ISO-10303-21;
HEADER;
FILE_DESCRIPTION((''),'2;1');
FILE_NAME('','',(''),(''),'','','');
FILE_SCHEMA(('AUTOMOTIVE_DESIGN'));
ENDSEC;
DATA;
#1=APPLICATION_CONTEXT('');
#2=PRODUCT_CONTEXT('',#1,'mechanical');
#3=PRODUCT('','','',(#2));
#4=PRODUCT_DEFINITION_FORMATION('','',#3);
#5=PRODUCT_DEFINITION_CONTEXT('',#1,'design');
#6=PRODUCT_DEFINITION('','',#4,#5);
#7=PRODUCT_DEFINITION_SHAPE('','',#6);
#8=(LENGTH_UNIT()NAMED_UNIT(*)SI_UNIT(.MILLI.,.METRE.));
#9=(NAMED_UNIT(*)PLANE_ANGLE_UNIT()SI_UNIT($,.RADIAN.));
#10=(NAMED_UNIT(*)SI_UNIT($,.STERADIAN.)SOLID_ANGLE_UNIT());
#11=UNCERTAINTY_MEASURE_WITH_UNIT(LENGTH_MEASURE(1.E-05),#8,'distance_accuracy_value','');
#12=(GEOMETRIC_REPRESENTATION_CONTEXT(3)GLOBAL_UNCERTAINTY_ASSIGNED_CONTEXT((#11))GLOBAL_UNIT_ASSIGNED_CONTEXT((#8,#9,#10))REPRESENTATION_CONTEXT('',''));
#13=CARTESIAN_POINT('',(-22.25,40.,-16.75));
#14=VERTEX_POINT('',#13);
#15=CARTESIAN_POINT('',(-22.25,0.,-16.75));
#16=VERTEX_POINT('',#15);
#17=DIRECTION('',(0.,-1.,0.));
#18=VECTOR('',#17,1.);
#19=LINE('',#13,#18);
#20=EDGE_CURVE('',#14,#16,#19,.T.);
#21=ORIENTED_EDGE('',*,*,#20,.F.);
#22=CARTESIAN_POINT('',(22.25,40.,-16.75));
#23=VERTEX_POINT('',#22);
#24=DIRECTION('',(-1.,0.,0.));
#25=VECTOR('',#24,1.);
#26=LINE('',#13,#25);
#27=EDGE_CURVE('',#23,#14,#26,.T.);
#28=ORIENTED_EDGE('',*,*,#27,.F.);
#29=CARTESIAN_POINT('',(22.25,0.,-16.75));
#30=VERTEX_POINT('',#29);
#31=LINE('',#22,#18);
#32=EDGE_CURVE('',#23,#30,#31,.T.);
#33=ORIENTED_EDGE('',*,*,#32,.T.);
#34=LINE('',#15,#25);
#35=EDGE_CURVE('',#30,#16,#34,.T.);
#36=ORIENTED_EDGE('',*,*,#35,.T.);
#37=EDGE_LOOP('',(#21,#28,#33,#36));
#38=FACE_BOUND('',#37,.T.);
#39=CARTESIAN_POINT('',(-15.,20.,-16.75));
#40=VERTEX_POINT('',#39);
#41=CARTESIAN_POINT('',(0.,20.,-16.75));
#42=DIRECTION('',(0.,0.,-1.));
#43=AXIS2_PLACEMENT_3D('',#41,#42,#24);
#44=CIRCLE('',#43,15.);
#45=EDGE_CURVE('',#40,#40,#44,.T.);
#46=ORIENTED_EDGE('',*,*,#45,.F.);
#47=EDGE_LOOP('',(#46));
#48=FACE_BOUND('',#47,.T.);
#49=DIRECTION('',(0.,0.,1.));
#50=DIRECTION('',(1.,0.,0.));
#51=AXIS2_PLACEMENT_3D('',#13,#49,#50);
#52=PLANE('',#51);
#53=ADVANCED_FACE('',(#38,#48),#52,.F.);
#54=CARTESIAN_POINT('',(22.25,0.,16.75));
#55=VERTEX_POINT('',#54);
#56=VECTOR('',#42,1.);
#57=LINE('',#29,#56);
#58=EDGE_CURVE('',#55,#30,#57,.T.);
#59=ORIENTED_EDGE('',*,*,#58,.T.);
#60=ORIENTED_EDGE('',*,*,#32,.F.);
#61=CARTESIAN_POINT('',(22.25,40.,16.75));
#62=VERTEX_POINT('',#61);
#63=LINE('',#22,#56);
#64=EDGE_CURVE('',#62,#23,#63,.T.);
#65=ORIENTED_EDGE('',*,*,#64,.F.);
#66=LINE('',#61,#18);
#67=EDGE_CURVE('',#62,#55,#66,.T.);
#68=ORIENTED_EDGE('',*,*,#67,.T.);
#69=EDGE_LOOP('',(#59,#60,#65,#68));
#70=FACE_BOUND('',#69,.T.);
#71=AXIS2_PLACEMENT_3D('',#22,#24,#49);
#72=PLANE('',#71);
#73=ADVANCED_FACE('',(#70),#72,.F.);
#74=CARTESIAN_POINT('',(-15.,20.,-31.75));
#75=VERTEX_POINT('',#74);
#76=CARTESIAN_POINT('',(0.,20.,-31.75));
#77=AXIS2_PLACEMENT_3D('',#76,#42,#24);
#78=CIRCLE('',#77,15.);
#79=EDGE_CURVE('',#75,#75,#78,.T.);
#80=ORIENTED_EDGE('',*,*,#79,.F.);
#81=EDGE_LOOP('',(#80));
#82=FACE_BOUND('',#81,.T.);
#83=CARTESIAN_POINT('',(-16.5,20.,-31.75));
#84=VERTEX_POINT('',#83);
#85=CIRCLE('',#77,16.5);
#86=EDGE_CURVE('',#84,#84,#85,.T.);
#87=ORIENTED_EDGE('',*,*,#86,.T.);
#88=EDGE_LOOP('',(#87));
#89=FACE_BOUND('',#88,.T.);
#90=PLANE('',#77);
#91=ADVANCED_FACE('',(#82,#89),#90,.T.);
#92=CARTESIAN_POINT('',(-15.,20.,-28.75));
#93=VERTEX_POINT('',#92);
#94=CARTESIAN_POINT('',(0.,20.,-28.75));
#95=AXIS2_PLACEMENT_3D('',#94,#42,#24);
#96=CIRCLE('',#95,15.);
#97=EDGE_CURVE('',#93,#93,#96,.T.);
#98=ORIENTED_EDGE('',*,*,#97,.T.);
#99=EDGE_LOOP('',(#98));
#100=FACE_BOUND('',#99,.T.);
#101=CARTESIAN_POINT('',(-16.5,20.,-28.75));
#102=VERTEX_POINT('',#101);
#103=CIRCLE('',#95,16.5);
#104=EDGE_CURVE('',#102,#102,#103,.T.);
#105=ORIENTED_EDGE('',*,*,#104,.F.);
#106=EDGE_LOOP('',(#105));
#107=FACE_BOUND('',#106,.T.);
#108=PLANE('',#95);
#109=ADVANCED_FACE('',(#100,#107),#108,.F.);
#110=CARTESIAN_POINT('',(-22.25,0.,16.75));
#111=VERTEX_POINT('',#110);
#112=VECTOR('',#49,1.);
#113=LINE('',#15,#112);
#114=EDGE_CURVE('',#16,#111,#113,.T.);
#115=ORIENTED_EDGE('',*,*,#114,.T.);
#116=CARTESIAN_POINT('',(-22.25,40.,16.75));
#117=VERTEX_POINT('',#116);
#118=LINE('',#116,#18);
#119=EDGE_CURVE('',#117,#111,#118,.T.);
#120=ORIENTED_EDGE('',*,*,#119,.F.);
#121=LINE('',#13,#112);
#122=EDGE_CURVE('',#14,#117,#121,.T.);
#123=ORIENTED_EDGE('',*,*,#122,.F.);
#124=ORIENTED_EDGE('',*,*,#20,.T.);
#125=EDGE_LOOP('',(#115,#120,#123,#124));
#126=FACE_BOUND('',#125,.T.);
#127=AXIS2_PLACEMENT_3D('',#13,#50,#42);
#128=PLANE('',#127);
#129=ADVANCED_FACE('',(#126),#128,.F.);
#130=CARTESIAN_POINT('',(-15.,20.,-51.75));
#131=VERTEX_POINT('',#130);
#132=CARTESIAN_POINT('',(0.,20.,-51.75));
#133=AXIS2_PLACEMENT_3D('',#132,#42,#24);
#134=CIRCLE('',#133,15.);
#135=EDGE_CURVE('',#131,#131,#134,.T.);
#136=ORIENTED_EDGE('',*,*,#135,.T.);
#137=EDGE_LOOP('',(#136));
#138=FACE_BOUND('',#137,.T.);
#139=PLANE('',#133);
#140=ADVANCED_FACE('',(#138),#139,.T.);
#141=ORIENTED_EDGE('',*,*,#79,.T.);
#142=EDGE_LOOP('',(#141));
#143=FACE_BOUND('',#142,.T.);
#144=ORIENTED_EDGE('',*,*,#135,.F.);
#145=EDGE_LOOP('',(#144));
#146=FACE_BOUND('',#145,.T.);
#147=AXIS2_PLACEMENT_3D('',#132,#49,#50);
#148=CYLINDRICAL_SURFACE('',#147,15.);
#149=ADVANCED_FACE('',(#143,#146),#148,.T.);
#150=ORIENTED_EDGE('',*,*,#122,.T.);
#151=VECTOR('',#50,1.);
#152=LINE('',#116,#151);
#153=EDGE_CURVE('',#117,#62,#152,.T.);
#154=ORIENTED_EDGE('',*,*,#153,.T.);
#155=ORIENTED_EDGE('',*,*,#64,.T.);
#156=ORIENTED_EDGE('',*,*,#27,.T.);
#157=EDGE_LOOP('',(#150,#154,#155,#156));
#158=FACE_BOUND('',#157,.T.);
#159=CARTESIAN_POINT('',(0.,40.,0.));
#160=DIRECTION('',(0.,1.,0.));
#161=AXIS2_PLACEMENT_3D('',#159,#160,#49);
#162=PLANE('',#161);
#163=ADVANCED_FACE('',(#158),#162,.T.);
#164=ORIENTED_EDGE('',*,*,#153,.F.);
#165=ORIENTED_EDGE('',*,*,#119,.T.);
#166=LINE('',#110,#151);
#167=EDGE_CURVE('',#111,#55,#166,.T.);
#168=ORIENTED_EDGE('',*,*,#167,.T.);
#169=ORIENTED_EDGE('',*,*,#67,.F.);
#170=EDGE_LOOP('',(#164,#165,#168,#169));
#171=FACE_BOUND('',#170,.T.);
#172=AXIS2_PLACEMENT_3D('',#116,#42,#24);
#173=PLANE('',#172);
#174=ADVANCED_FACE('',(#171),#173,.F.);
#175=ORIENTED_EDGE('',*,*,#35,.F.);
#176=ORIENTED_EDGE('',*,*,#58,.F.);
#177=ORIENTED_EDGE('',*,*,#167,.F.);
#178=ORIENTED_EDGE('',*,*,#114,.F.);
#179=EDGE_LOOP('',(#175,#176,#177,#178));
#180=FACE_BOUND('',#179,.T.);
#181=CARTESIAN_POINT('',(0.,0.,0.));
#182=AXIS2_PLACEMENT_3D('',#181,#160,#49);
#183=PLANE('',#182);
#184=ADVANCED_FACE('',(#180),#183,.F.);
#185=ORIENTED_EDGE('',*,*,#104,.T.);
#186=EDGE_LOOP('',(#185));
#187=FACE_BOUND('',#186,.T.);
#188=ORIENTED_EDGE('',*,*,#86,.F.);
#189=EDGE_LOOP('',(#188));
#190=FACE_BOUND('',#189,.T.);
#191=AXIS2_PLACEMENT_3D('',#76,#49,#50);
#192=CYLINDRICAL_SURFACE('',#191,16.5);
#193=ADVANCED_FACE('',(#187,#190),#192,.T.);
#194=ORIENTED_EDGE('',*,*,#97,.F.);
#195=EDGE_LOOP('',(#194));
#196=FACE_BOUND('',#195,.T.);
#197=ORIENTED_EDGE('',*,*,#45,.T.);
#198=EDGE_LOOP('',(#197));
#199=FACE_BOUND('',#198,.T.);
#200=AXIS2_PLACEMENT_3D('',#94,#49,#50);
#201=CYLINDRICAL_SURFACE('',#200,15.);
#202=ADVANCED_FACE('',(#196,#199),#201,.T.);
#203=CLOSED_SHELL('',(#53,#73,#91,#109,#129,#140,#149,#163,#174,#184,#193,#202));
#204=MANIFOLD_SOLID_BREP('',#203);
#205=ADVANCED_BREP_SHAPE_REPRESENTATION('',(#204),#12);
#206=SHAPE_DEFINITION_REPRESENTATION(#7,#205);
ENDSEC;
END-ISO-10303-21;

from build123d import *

# Parameters (mm, degrees)
SKETCH_1_W      = 44.5
SKETCH_1_H      = 33.5
EXTRUDE_1_DEPTH = 40
SKETCH_2_R      = 15
EXTRUDE_2_DEPTH = 12
SKETCH_3_R      = 16.5
EXTRUDE_3_DEPTH = 3
SKETCH_4_R      = 15
EXTRUDE_4_DEPTH = 20


with BuildPart() as part:
    # 草图1 → 凸台-拉伸1 (new body)
    with BuildSketch(Plane(origin=(0, 0, 0), x_dir=(1, 0, 0), z_dir=(0, 1, 0))):
        Rectangle(SKETCH_1_W, SKETCH_1_H)
    extrude(amount=EXTRUDE_1_DEPTH)

    # 草图2 → 凸台-拉伸2 (add)
    with BuildSketch(Plane(origin=(0, 0, -16.75), x_dir=(-1, 0, 0), z_dir=(0, 0, -1))):
        with Locations((0, 20)):
            Circle(SKETCH_2_R)
    extrude(amount=EXTRUDE_2_DEPTH)

    # 草图3 → 凸台-拉伸3 (add)
    with BuildSketch(Plane(origin=(0, 0, -28.75), x_dir=(-1, 0, 0), z_dir=(0, 0, -1))):
        with Locations((0, 20)):
            Circle(SKETCH_3_R)
    extrude(amount=EXTRUDE_3_DEPTH)

    # 草图4 → 凸台-拉伸4 (add)
    with BuildSketch(Plane(origin=(0, 0, -31.75), x_dir=(-1, 0, 0), z_dir=(0, 0, -1))):
        with Locations((0, 20)):
            Circle(SKETCH_4_R)
    extrude(amount=EXTRUDE_4_DEPTH)


solid = part.part
